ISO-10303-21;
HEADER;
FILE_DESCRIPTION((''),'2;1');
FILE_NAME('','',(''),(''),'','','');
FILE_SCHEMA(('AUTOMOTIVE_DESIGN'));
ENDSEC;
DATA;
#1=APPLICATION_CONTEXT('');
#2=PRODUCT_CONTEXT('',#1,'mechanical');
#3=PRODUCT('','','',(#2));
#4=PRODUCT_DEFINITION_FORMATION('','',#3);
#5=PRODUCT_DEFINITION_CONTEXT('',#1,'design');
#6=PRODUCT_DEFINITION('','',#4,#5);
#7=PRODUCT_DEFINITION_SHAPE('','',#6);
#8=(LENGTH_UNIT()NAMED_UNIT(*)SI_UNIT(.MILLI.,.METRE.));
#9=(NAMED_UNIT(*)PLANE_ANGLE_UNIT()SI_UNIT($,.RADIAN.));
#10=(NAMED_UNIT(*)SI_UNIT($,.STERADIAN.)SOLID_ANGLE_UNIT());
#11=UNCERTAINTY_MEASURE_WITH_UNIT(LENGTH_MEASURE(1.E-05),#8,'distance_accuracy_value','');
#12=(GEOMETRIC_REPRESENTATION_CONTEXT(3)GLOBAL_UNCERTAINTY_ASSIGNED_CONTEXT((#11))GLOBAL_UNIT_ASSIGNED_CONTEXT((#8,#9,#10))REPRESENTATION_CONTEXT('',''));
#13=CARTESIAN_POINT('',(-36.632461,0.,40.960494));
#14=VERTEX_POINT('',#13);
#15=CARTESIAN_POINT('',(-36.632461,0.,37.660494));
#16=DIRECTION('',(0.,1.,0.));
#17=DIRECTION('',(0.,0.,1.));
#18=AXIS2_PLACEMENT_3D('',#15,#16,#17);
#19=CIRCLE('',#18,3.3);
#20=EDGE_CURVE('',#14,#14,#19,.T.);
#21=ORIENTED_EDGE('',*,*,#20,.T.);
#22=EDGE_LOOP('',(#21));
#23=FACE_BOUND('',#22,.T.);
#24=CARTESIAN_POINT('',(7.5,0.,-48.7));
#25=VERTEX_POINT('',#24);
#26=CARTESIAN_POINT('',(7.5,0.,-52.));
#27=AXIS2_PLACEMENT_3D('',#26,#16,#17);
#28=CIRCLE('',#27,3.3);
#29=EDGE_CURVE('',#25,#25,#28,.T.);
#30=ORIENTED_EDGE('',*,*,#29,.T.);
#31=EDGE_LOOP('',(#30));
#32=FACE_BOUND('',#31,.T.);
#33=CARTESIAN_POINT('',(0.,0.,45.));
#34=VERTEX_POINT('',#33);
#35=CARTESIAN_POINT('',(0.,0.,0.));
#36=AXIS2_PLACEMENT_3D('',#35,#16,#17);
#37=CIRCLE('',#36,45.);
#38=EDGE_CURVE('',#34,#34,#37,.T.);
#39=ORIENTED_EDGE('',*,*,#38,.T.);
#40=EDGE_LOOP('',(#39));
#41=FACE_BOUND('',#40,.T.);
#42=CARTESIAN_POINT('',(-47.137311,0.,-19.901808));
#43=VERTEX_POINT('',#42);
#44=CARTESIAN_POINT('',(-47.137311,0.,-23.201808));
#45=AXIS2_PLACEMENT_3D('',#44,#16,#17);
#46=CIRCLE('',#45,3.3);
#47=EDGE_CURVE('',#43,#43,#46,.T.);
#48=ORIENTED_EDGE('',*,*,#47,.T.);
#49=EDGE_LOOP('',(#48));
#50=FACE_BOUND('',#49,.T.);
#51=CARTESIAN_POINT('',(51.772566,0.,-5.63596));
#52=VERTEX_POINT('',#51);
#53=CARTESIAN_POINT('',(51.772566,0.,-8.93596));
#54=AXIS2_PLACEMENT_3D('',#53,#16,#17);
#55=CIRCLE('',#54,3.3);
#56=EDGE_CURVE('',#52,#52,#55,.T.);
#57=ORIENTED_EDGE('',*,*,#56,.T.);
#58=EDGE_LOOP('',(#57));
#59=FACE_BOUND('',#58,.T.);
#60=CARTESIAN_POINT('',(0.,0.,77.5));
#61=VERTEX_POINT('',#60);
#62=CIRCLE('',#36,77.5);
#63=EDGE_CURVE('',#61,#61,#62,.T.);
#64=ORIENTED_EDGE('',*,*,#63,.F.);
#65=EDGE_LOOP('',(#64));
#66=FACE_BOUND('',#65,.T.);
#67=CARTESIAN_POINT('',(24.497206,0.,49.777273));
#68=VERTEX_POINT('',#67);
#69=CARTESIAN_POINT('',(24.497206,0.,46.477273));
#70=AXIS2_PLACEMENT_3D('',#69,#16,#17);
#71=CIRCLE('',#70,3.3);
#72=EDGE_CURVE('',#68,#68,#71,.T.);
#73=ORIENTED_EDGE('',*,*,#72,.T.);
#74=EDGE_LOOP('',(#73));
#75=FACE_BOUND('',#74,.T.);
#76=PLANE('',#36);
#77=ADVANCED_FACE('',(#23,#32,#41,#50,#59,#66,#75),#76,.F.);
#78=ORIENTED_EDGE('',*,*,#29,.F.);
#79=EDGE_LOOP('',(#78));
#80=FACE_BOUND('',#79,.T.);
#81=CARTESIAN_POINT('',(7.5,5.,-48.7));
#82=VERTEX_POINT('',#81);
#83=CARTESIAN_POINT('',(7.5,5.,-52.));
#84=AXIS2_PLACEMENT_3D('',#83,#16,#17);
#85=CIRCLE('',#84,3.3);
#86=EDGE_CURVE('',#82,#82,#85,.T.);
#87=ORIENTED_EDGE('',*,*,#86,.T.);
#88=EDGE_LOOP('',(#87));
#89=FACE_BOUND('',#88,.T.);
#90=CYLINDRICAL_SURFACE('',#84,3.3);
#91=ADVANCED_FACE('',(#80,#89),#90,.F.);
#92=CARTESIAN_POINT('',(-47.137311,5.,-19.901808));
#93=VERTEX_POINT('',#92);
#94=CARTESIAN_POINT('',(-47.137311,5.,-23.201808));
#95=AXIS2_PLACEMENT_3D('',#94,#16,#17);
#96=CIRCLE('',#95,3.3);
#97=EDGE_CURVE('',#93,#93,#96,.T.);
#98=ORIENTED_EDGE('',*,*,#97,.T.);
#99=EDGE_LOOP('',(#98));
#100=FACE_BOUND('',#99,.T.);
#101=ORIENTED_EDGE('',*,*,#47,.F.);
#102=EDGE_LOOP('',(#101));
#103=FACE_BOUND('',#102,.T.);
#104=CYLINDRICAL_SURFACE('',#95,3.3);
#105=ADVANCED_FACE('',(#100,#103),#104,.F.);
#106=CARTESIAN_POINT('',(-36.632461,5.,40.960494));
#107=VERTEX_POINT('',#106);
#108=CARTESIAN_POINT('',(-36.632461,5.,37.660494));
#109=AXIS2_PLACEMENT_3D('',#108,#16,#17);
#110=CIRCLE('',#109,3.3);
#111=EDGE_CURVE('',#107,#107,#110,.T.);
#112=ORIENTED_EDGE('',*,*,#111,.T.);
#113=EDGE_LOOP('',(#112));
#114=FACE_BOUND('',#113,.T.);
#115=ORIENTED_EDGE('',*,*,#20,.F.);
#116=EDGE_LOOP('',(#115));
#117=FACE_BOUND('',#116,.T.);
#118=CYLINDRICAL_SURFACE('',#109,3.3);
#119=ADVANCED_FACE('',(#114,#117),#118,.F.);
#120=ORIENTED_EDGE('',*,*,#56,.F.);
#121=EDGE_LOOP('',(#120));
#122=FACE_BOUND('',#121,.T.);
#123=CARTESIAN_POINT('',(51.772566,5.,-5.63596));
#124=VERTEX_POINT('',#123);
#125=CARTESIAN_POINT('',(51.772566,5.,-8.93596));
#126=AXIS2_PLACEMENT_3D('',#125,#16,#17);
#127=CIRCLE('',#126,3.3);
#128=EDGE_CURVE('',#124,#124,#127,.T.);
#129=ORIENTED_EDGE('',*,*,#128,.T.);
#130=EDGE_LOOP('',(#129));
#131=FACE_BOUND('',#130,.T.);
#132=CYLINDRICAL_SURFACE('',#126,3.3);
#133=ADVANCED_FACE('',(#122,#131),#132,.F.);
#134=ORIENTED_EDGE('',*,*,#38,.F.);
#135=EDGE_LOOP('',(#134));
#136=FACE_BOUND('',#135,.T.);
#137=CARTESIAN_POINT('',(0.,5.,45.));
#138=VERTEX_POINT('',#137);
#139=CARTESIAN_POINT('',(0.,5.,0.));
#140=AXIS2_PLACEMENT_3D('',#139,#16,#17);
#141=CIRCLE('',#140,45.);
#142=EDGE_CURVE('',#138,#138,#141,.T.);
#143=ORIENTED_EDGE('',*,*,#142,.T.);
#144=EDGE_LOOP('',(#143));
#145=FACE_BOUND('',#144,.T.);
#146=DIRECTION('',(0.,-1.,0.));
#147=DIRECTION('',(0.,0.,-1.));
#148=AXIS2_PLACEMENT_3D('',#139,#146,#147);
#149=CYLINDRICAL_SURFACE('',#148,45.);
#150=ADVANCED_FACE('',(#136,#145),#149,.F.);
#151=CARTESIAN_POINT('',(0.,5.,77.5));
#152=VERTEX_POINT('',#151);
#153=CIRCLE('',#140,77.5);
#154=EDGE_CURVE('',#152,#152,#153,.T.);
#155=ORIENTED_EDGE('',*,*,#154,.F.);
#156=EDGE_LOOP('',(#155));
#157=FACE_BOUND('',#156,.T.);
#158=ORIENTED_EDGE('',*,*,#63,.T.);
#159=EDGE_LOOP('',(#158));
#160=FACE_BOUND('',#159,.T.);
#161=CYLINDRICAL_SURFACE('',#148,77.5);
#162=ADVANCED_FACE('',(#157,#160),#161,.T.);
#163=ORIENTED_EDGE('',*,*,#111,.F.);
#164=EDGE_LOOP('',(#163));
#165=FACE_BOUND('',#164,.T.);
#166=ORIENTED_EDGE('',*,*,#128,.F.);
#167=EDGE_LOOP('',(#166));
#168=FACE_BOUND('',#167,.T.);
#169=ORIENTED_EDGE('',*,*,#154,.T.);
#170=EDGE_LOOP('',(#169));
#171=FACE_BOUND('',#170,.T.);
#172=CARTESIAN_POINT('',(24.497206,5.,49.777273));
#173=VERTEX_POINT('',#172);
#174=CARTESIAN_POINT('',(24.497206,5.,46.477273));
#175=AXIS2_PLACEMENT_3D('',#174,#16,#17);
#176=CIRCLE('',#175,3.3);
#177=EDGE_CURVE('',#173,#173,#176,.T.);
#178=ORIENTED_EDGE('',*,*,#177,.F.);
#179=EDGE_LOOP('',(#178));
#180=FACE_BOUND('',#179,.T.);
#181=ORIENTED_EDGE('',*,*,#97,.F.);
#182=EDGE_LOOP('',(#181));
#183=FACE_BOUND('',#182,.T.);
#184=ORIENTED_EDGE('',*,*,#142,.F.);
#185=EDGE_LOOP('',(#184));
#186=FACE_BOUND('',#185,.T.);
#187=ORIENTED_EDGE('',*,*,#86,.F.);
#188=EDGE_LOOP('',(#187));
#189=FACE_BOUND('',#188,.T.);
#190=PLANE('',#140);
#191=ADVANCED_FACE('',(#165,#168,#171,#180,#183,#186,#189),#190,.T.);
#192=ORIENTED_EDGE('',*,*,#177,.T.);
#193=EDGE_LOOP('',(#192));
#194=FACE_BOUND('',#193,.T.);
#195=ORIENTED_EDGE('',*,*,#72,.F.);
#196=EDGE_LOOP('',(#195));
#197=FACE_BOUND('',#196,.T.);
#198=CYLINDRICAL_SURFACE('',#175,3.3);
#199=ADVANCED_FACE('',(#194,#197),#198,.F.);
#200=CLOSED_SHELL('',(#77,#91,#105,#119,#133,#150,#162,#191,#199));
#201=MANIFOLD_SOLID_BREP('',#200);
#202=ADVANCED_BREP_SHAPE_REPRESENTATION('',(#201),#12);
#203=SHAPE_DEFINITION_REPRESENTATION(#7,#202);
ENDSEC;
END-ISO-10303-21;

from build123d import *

# Parameters (mm, degrees)
SKETCH1_R            = 77.5
SKETCH1_R_2          = 45
BODY_DEPTH           = 5
M6_CLEARANCE_HOLE1_D = 6.6


with BuildPart() as part:
    # Sketch1 → Body (new body)
    with BuildSketch(Plane(origin=(0, 0, 0), x_dir=(1, 0, 0), z_dir=(0, 1, 0))):
        with Locations(Location((0, 0, 0), (0, 0, 270))):
            Circle(SKETCH1_R)
        with Locations(Location((0, 0, 0), (0, 0, 270))):
            Circle(SKETCH1_R_2, mode=Mode.SUBTRACT)
    extrude(amount=BODY_DEPTH)

    # M6 Clearance Hole1 (through all)
    with Locations(Plane(origin=(0, 5, 0), x_dir=(1, 0, 0), z_dir=(0, 1, 0))):
        with Locations((7.5, 52), (51.772566305, 8.935959835), (24.497205661, -46.4772731), (-36.632460577, -37.660494315), (-47.13731139, 23.20180758), (0, 0)):
            Hole(M6_CLEARANCE_HOLE1_D / 2)


solid = part.part
